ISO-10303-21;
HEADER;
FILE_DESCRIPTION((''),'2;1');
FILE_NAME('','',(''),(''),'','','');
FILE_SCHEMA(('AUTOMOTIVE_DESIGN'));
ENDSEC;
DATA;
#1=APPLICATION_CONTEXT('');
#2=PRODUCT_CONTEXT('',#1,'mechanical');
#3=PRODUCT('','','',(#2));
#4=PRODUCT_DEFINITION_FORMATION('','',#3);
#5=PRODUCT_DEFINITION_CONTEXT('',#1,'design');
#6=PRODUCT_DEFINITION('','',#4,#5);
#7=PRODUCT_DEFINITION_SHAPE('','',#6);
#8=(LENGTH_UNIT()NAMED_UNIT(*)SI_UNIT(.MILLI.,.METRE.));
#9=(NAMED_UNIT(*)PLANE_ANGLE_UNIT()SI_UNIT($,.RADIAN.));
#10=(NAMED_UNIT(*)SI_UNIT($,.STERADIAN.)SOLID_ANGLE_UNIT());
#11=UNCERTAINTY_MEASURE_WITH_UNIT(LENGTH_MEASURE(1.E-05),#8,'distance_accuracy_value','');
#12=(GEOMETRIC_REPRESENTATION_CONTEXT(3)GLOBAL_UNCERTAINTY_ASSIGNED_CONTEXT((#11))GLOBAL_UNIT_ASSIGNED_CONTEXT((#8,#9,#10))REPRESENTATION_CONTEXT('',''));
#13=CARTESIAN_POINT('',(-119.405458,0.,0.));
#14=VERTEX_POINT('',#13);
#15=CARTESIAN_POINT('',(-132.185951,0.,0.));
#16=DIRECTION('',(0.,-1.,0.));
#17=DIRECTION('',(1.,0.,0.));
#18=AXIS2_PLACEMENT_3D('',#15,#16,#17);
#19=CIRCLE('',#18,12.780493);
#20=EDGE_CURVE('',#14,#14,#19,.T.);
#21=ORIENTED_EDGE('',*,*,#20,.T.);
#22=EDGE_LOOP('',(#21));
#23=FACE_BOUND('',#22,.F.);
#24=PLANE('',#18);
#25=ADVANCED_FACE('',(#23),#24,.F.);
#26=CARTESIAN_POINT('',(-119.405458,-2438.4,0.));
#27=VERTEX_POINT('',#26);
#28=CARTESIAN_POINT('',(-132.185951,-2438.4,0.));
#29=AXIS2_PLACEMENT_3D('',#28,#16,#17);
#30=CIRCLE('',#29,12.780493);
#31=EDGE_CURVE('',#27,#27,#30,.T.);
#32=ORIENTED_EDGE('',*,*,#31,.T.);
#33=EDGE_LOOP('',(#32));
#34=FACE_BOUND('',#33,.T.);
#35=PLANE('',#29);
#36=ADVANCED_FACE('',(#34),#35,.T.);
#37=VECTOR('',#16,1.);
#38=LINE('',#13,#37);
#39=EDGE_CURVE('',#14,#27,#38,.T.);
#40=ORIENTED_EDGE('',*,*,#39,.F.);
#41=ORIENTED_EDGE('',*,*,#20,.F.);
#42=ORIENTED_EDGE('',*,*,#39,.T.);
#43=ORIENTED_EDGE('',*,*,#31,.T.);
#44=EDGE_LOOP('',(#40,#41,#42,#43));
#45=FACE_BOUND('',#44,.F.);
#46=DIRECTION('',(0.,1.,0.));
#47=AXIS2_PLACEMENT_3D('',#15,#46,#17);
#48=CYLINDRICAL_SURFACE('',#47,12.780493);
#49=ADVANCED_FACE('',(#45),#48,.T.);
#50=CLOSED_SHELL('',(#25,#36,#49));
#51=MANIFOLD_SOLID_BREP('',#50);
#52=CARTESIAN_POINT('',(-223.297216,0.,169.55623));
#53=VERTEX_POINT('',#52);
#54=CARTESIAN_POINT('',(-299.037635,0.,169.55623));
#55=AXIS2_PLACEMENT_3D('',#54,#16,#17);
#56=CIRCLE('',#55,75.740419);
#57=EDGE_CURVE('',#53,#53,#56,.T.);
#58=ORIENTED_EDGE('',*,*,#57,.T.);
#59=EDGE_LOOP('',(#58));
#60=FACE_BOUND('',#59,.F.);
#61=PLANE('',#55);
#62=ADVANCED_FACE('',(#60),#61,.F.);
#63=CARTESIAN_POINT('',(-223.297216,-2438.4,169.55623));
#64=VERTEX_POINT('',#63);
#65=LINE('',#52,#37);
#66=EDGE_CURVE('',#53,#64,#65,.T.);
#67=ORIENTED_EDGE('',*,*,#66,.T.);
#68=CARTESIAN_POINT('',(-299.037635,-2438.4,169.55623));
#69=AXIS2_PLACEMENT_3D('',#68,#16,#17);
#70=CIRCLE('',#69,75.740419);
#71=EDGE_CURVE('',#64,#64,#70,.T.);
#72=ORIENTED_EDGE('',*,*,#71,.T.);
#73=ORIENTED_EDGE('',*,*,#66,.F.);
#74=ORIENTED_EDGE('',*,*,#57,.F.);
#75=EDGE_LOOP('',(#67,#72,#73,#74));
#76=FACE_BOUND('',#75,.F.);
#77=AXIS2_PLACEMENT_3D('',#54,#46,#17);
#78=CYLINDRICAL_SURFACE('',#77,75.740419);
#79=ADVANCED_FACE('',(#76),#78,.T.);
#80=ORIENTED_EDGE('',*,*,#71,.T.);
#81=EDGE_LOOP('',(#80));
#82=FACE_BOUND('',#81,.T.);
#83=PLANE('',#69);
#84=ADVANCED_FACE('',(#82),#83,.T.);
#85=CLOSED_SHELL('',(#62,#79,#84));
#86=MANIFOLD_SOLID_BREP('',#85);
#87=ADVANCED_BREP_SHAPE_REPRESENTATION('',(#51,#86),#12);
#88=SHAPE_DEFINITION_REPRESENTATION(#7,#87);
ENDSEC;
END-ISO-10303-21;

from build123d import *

# Parameters (mm, degrees)
F0_R     = 12.780493
F1_DEPTH = 2438.4
F2_R     = 75.740419
F3_DEPTH = 2438.4


with BuildPart() as f1:
    # F0 (on Front) → F1 (new body)
    with BuildSketch(Plane.XZ):
        with Locations((-132.185951, 0)):
            Circle(F0_R)
    extrude(amount=F1_DEPTH)


with BuildPart() as f3:
    # F2 (on Front) → F3 (new body)
    with BuildSketch(Plane.XZ):
        with Locations((-299.037635, 169.55623)):
            Circle(F2_R)
    extrude(amount=F3_DEPTH)


solid = Compound([f1.part, f3.part])
